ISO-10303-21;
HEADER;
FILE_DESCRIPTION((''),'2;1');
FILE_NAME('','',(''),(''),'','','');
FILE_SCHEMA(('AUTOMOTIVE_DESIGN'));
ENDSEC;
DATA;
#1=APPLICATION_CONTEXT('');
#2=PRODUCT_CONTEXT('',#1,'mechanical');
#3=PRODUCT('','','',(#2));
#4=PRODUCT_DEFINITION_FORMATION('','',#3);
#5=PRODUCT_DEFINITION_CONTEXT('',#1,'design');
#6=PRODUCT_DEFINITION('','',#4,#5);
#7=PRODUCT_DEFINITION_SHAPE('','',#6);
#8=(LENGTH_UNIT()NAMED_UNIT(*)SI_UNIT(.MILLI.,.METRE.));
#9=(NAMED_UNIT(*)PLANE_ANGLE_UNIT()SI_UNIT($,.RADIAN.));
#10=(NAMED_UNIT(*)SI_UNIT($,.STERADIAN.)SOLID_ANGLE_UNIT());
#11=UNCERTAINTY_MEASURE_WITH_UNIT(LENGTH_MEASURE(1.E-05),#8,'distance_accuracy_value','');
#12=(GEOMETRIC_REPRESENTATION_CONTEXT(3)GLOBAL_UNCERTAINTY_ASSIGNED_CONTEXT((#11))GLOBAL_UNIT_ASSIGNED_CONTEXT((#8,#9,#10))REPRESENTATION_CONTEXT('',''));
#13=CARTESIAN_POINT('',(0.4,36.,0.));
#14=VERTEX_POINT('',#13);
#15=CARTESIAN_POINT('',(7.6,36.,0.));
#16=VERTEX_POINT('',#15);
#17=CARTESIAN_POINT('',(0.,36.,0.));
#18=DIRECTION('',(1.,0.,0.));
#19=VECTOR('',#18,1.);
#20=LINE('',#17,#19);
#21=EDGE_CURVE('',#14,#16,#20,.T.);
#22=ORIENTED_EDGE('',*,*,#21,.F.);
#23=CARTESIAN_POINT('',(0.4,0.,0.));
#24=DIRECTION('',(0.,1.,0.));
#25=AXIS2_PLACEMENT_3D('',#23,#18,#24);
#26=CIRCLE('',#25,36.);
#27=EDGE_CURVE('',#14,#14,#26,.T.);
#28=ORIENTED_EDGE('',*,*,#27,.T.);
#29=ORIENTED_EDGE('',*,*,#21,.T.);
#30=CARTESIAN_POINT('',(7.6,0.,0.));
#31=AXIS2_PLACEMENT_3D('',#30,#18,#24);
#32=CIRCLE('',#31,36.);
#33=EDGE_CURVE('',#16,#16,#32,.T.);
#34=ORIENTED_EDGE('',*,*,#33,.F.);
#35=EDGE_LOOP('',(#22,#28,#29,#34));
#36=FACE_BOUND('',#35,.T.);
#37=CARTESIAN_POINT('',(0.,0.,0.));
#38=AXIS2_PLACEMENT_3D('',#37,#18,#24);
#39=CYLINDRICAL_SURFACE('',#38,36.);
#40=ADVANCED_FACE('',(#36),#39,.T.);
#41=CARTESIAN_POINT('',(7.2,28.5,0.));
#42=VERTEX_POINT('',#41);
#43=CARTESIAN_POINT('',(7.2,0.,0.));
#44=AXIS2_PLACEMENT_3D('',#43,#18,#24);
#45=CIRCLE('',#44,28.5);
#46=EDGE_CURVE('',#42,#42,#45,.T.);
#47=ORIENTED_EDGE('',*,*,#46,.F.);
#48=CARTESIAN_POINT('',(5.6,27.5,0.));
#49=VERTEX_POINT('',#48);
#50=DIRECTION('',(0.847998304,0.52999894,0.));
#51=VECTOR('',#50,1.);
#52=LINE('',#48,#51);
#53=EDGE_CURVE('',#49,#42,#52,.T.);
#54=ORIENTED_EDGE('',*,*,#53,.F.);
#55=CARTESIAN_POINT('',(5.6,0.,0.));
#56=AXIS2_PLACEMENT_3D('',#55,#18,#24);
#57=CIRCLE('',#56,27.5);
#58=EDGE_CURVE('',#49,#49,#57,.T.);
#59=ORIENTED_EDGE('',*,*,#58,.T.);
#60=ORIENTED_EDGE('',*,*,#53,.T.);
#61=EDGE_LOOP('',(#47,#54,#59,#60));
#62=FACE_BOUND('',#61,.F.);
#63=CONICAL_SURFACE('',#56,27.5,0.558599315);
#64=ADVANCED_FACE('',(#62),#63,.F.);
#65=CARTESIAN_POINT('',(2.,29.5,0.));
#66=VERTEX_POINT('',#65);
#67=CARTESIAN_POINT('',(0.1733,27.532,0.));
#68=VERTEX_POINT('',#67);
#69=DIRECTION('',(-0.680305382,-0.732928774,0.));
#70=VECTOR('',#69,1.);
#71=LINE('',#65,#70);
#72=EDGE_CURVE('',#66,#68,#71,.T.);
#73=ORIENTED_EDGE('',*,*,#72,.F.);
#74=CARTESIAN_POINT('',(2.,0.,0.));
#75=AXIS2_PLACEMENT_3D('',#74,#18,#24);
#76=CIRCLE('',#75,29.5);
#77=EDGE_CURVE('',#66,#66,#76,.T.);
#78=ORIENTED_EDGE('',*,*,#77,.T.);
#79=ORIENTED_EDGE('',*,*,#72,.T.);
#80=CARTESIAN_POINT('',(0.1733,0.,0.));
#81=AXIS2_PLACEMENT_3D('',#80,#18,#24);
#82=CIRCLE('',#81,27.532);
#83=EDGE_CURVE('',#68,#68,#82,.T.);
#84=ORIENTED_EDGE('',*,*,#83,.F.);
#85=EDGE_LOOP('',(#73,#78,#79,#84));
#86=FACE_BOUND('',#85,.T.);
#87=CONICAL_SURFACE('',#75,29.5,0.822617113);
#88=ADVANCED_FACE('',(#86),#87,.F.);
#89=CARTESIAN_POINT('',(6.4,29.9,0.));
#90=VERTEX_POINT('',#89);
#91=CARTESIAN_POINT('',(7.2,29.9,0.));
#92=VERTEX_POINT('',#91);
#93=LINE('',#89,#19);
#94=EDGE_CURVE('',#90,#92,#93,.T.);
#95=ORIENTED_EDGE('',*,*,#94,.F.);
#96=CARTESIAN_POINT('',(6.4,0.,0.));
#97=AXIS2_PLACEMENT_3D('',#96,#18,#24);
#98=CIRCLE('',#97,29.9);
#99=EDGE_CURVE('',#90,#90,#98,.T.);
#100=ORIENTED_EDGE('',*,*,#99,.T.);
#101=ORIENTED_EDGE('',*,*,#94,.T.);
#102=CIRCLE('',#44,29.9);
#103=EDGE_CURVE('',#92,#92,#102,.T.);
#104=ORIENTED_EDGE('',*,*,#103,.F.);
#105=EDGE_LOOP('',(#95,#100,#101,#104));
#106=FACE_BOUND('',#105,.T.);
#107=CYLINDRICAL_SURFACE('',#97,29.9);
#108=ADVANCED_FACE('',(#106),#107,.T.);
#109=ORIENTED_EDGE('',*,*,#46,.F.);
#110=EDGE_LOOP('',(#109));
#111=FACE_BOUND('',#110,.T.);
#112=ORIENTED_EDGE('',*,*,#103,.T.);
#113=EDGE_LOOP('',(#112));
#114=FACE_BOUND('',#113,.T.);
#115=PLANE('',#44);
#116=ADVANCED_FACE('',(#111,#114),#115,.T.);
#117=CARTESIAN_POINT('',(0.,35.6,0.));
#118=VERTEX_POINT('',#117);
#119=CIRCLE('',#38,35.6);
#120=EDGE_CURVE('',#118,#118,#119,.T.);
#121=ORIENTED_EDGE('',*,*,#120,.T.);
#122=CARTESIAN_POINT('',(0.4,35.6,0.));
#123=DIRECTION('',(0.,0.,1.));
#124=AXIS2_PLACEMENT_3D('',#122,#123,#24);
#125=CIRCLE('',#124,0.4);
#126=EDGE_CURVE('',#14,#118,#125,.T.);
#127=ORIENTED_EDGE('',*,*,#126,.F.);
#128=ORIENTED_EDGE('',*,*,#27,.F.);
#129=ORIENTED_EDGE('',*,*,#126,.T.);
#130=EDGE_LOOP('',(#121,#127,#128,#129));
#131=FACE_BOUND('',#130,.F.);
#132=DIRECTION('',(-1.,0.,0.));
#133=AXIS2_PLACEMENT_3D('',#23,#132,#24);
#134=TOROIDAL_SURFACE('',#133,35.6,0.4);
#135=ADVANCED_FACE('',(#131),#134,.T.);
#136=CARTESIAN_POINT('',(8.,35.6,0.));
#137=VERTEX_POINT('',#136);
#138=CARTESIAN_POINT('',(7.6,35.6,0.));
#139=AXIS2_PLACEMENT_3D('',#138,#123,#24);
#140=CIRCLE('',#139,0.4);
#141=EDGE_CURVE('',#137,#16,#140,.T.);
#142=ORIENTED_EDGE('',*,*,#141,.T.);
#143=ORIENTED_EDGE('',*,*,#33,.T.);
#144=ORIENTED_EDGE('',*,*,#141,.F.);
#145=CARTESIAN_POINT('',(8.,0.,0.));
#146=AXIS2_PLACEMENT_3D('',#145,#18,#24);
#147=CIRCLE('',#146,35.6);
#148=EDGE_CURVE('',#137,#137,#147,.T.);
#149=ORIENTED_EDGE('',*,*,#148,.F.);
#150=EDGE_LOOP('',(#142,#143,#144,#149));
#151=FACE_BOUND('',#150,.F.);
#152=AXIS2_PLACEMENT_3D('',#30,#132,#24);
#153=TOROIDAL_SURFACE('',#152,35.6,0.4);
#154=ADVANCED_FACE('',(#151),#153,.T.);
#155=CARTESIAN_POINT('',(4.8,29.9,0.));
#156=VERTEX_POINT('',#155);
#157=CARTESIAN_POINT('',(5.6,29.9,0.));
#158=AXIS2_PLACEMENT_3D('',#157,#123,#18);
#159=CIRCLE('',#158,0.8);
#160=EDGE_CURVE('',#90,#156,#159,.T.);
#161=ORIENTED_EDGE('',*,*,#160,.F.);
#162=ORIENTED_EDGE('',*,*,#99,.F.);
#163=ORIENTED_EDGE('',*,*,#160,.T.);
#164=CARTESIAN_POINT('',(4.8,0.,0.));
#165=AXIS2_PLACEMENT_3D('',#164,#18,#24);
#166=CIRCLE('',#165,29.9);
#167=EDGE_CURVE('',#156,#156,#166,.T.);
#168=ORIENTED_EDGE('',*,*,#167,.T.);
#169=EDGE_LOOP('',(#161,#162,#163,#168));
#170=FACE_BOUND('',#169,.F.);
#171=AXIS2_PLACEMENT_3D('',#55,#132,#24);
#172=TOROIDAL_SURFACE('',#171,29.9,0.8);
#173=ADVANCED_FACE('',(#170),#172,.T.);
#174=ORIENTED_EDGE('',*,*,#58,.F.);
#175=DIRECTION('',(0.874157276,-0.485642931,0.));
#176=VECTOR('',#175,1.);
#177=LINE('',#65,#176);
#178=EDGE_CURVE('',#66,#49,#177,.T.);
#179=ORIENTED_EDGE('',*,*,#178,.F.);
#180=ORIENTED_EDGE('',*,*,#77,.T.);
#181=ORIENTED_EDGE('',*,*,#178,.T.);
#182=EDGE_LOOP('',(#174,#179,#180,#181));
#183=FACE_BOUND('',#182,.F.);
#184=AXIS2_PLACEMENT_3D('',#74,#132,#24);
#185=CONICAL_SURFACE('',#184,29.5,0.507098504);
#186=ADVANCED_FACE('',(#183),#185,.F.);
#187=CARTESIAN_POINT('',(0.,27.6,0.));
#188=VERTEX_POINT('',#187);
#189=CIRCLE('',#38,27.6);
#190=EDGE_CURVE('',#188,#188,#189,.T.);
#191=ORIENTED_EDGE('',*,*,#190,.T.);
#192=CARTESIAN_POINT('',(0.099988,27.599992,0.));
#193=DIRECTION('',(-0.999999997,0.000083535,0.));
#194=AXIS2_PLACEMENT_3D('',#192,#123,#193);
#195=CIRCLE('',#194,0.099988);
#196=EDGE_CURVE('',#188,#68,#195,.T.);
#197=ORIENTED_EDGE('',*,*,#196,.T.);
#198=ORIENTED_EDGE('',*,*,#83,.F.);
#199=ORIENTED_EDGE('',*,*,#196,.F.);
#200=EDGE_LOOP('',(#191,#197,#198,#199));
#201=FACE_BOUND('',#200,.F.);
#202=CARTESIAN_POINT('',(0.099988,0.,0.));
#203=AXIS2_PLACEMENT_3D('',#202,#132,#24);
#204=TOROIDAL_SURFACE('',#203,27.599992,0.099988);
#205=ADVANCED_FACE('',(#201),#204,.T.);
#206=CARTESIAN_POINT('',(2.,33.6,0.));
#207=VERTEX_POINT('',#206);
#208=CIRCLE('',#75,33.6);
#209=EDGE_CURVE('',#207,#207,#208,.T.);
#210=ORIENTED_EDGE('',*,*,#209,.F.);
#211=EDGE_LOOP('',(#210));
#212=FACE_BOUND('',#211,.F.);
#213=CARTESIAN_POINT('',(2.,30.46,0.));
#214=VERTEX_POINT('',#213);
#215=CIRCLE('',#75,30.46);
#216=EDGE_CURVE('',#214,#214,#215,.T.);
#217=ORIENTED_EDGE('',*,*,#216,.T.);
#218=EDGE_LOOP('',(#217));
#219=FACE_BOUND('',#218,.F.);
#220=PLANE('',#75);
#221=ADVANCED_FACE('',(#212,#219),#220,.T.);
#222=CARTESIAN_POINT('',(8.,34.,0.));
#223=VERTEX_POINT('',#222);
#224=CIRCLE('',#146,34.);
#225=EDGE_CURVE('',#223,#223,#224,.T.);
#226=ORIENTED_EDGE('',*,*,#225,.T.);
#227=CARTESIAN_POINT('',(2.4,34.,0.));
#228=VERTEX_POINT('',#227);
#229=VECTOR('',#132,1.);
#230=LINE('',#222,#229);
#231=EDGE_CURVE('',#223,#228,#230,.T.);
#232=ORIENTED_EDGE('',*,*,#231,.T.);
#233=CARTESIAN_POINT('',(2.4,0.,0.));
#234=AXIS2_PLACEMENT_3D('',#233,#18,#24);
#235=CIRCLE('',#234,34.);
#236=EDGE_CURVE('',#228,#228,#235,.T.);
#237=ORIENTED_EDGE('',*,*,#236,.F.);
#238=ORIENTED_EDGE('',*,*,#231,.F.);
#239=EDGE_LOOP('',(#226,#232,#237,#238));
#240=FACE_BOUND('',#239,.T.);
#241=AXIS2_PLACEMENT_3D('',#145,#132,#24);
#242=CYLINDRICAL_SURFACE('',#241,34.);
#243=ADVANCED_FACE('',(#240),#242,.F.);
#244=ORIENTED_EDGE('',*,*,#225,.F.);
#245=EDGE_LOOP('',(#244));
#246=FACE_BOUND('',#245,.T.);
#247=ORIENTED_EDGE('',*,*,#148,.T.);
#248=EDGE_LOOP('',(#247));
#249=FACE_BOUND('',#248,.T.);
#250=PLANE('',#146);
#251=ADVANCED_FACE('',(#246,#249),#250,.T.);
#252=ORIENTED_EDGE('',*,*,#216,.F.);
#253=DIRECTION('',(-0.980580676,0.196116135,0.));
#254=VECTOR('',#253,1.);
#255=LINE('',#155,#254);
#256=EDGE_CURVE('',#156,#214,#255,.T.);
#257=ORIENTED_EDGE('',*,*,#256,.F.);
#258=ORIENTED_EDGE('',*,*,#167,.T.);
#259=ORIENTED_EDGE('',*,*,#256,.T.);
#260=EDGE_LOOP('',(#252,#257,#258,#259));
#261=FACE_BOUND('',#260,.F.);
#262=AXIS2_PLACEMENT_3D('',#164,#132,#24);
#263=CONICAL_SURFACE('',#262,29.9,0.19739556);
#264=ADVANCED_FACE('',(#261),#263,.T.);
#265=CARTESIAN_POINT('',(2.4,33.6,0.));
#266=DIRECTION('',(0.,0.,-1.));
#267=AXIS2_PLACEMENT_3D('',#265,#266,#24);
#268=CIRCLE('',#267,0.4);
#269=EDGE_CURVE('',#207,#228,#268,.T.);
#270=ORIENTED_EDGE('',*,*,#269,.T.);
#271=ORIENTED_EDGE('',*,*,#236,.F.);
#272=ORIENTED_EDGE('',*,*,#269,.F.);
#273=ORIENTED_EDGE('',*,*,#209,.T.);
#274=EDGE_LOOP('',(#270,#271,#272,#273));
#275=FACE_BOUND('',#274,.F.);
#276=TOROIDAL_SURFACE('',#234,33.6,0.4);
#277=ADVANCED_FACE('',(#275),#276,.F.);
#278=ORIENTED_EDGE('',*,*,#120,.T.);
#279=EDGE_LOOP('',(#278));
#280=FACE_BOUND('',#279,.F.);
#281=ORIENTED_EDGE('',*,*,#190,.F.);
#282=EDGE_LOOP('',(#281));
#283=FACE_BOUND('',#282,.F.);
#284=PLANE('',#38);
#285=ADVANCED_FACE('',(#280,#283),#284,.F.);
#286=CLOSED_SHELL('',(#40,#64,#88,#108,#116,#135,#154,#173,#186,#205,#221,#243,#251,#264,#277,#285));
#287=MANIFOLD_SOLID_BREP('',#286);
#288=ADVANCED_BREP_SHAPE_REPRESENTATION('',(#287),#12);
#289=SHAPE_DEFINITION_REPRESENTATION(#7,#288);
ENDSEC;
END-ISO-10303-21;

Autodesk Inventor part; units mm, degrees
ref_plane "YZ Plane" through (0, 0, 0) normal (1, 0, 0) x (0, 1, 0)
ref_plane "XZ Plane" through (0, 0, 0) normal (0, 1, 0) x (-1, 0, 0)
ref_plane "XY Plane" through (0, 0, 0) normal (0, 0, 1) x (1, 0, 0)
sketch "Эскиз1" plane through (0, 0, 0) normal (0, 0, 1) x (1, 0, 0)
  circle A0 centre (5.6, 29.9) radius 0.52
  circle A1 centre (5.6, 29.9) radius 0.8
  line L0 (0, 36) -> (8, 36)
  line L1 (8, 34) -> (2, 34)
  line L2 (0, 0) -> (9.5856, 0)
  line L3 (2, 29.5) -> (5.6, 27.5)
  line L4 (5.6, 27.5) -> (7.2, 28.5)
  line L5 (5.6, 27.5) -> (0, 27.5) construction
  line L6 (0, 18) -> (0, -3) projected
  line L7 (-1.9415, 0) -> (11.5068, 0) projected
  line L8 (4.8, 29.9) -> (2, 30.46)
  line L9 (2, 30.46) -> (2, 34)
  line L10 (0, 36) -> (0, 27.6)
  line L11 (5.6, 27.5) -> (0, 27.5)
  line L12 (2, 29.5) -> (0.1733, 27.532)
  arc A2 (0, 27.6) -> (0.1733, 27.532) centre (0.1, 27.6) ccw
  line L13 (8, 36) -> (8, 34)
  line L14 (6.4, 29.9) -> (7.2, 29.9)
  line L15 (7.2, 29.9) -> (7.2, 28.5)
  point P0 (0, 27.3453)
  dimension "d0" = 72
  dimension "d1" = 2
  dimension "d2" = 1.04
  dimension "d3" = 1.6
  dimension "d4" = 55
  dimension "d5" = 59
  dimension "d7" = 60.92
  dimension "d8" = 2
  dimension "d9" = 5.6
  dimension "d10" = 59.8
  dimension "d11" = 0.1
  dimension "d12" = 7.2
  dimension "d13" = 57
  dimension "d14" = 8
revolve "Базовый элемент" add sketch "Эскиз1" angle 360 about axis through (0, 0, 0) along (1, 0, 0) contours L14 L15 L4 L3 L12 A2 L10 L0 L13 L1 L9 L8 A1
revolve "Пружинные1" add sketch "Эскиз1" angle 360 about axis through (0, 0, 0) along (1, 0, 0) contours A0 | A1
fillet "Сопряжение1" radius 0.4 3 edges at (8, -36, 0) (2, -34, 0) (0, -36, 0)
equation "\"d0\" = SD2"
equation "\"d1\" = SD"
equation "\"d2\" = SPDI"
equation "\"d3\" = SPDA"
equation "\"d4\" = NND"
equation "\"d5\" = TKDM"
equation "\"d7\" = TKDM + 0.24 * SWDT"
equation "\"d8\" = SD"
equation "\"d9\" = SPDST"
equation "\"d10\" = HLDM"
equation "\"d11\" = 0.25 * LAB"
equation "\"d12\" = SDI"
equation "\"d13\" = ABDM"
equation "\"d14\" = SWDT"
equation "\"d6\" = RR"
equation "\"SD2\" = 72"
equation "\"SWDT\" = 8"
equation "\"RR\" = 0.4"
equation "\"SD\" = 2"
equation "\"NND\" = 55"
equation "\"SPDA\" = 1.6"
equation "\"SPDI\" = 1.04"
equation "\"TKDM\" = 59"
equation "\"HLDM\" = 59.8"
equation "\"ABDM\" = 57"
equation "\"SDI\" = 7.2"
equation "\"SPDST\" = 5.6"
equation "\"LAB\" = 0.4"
properties part number "Манжет 2-55x72x8 ГОСТ 8752-79" material "Резина"
